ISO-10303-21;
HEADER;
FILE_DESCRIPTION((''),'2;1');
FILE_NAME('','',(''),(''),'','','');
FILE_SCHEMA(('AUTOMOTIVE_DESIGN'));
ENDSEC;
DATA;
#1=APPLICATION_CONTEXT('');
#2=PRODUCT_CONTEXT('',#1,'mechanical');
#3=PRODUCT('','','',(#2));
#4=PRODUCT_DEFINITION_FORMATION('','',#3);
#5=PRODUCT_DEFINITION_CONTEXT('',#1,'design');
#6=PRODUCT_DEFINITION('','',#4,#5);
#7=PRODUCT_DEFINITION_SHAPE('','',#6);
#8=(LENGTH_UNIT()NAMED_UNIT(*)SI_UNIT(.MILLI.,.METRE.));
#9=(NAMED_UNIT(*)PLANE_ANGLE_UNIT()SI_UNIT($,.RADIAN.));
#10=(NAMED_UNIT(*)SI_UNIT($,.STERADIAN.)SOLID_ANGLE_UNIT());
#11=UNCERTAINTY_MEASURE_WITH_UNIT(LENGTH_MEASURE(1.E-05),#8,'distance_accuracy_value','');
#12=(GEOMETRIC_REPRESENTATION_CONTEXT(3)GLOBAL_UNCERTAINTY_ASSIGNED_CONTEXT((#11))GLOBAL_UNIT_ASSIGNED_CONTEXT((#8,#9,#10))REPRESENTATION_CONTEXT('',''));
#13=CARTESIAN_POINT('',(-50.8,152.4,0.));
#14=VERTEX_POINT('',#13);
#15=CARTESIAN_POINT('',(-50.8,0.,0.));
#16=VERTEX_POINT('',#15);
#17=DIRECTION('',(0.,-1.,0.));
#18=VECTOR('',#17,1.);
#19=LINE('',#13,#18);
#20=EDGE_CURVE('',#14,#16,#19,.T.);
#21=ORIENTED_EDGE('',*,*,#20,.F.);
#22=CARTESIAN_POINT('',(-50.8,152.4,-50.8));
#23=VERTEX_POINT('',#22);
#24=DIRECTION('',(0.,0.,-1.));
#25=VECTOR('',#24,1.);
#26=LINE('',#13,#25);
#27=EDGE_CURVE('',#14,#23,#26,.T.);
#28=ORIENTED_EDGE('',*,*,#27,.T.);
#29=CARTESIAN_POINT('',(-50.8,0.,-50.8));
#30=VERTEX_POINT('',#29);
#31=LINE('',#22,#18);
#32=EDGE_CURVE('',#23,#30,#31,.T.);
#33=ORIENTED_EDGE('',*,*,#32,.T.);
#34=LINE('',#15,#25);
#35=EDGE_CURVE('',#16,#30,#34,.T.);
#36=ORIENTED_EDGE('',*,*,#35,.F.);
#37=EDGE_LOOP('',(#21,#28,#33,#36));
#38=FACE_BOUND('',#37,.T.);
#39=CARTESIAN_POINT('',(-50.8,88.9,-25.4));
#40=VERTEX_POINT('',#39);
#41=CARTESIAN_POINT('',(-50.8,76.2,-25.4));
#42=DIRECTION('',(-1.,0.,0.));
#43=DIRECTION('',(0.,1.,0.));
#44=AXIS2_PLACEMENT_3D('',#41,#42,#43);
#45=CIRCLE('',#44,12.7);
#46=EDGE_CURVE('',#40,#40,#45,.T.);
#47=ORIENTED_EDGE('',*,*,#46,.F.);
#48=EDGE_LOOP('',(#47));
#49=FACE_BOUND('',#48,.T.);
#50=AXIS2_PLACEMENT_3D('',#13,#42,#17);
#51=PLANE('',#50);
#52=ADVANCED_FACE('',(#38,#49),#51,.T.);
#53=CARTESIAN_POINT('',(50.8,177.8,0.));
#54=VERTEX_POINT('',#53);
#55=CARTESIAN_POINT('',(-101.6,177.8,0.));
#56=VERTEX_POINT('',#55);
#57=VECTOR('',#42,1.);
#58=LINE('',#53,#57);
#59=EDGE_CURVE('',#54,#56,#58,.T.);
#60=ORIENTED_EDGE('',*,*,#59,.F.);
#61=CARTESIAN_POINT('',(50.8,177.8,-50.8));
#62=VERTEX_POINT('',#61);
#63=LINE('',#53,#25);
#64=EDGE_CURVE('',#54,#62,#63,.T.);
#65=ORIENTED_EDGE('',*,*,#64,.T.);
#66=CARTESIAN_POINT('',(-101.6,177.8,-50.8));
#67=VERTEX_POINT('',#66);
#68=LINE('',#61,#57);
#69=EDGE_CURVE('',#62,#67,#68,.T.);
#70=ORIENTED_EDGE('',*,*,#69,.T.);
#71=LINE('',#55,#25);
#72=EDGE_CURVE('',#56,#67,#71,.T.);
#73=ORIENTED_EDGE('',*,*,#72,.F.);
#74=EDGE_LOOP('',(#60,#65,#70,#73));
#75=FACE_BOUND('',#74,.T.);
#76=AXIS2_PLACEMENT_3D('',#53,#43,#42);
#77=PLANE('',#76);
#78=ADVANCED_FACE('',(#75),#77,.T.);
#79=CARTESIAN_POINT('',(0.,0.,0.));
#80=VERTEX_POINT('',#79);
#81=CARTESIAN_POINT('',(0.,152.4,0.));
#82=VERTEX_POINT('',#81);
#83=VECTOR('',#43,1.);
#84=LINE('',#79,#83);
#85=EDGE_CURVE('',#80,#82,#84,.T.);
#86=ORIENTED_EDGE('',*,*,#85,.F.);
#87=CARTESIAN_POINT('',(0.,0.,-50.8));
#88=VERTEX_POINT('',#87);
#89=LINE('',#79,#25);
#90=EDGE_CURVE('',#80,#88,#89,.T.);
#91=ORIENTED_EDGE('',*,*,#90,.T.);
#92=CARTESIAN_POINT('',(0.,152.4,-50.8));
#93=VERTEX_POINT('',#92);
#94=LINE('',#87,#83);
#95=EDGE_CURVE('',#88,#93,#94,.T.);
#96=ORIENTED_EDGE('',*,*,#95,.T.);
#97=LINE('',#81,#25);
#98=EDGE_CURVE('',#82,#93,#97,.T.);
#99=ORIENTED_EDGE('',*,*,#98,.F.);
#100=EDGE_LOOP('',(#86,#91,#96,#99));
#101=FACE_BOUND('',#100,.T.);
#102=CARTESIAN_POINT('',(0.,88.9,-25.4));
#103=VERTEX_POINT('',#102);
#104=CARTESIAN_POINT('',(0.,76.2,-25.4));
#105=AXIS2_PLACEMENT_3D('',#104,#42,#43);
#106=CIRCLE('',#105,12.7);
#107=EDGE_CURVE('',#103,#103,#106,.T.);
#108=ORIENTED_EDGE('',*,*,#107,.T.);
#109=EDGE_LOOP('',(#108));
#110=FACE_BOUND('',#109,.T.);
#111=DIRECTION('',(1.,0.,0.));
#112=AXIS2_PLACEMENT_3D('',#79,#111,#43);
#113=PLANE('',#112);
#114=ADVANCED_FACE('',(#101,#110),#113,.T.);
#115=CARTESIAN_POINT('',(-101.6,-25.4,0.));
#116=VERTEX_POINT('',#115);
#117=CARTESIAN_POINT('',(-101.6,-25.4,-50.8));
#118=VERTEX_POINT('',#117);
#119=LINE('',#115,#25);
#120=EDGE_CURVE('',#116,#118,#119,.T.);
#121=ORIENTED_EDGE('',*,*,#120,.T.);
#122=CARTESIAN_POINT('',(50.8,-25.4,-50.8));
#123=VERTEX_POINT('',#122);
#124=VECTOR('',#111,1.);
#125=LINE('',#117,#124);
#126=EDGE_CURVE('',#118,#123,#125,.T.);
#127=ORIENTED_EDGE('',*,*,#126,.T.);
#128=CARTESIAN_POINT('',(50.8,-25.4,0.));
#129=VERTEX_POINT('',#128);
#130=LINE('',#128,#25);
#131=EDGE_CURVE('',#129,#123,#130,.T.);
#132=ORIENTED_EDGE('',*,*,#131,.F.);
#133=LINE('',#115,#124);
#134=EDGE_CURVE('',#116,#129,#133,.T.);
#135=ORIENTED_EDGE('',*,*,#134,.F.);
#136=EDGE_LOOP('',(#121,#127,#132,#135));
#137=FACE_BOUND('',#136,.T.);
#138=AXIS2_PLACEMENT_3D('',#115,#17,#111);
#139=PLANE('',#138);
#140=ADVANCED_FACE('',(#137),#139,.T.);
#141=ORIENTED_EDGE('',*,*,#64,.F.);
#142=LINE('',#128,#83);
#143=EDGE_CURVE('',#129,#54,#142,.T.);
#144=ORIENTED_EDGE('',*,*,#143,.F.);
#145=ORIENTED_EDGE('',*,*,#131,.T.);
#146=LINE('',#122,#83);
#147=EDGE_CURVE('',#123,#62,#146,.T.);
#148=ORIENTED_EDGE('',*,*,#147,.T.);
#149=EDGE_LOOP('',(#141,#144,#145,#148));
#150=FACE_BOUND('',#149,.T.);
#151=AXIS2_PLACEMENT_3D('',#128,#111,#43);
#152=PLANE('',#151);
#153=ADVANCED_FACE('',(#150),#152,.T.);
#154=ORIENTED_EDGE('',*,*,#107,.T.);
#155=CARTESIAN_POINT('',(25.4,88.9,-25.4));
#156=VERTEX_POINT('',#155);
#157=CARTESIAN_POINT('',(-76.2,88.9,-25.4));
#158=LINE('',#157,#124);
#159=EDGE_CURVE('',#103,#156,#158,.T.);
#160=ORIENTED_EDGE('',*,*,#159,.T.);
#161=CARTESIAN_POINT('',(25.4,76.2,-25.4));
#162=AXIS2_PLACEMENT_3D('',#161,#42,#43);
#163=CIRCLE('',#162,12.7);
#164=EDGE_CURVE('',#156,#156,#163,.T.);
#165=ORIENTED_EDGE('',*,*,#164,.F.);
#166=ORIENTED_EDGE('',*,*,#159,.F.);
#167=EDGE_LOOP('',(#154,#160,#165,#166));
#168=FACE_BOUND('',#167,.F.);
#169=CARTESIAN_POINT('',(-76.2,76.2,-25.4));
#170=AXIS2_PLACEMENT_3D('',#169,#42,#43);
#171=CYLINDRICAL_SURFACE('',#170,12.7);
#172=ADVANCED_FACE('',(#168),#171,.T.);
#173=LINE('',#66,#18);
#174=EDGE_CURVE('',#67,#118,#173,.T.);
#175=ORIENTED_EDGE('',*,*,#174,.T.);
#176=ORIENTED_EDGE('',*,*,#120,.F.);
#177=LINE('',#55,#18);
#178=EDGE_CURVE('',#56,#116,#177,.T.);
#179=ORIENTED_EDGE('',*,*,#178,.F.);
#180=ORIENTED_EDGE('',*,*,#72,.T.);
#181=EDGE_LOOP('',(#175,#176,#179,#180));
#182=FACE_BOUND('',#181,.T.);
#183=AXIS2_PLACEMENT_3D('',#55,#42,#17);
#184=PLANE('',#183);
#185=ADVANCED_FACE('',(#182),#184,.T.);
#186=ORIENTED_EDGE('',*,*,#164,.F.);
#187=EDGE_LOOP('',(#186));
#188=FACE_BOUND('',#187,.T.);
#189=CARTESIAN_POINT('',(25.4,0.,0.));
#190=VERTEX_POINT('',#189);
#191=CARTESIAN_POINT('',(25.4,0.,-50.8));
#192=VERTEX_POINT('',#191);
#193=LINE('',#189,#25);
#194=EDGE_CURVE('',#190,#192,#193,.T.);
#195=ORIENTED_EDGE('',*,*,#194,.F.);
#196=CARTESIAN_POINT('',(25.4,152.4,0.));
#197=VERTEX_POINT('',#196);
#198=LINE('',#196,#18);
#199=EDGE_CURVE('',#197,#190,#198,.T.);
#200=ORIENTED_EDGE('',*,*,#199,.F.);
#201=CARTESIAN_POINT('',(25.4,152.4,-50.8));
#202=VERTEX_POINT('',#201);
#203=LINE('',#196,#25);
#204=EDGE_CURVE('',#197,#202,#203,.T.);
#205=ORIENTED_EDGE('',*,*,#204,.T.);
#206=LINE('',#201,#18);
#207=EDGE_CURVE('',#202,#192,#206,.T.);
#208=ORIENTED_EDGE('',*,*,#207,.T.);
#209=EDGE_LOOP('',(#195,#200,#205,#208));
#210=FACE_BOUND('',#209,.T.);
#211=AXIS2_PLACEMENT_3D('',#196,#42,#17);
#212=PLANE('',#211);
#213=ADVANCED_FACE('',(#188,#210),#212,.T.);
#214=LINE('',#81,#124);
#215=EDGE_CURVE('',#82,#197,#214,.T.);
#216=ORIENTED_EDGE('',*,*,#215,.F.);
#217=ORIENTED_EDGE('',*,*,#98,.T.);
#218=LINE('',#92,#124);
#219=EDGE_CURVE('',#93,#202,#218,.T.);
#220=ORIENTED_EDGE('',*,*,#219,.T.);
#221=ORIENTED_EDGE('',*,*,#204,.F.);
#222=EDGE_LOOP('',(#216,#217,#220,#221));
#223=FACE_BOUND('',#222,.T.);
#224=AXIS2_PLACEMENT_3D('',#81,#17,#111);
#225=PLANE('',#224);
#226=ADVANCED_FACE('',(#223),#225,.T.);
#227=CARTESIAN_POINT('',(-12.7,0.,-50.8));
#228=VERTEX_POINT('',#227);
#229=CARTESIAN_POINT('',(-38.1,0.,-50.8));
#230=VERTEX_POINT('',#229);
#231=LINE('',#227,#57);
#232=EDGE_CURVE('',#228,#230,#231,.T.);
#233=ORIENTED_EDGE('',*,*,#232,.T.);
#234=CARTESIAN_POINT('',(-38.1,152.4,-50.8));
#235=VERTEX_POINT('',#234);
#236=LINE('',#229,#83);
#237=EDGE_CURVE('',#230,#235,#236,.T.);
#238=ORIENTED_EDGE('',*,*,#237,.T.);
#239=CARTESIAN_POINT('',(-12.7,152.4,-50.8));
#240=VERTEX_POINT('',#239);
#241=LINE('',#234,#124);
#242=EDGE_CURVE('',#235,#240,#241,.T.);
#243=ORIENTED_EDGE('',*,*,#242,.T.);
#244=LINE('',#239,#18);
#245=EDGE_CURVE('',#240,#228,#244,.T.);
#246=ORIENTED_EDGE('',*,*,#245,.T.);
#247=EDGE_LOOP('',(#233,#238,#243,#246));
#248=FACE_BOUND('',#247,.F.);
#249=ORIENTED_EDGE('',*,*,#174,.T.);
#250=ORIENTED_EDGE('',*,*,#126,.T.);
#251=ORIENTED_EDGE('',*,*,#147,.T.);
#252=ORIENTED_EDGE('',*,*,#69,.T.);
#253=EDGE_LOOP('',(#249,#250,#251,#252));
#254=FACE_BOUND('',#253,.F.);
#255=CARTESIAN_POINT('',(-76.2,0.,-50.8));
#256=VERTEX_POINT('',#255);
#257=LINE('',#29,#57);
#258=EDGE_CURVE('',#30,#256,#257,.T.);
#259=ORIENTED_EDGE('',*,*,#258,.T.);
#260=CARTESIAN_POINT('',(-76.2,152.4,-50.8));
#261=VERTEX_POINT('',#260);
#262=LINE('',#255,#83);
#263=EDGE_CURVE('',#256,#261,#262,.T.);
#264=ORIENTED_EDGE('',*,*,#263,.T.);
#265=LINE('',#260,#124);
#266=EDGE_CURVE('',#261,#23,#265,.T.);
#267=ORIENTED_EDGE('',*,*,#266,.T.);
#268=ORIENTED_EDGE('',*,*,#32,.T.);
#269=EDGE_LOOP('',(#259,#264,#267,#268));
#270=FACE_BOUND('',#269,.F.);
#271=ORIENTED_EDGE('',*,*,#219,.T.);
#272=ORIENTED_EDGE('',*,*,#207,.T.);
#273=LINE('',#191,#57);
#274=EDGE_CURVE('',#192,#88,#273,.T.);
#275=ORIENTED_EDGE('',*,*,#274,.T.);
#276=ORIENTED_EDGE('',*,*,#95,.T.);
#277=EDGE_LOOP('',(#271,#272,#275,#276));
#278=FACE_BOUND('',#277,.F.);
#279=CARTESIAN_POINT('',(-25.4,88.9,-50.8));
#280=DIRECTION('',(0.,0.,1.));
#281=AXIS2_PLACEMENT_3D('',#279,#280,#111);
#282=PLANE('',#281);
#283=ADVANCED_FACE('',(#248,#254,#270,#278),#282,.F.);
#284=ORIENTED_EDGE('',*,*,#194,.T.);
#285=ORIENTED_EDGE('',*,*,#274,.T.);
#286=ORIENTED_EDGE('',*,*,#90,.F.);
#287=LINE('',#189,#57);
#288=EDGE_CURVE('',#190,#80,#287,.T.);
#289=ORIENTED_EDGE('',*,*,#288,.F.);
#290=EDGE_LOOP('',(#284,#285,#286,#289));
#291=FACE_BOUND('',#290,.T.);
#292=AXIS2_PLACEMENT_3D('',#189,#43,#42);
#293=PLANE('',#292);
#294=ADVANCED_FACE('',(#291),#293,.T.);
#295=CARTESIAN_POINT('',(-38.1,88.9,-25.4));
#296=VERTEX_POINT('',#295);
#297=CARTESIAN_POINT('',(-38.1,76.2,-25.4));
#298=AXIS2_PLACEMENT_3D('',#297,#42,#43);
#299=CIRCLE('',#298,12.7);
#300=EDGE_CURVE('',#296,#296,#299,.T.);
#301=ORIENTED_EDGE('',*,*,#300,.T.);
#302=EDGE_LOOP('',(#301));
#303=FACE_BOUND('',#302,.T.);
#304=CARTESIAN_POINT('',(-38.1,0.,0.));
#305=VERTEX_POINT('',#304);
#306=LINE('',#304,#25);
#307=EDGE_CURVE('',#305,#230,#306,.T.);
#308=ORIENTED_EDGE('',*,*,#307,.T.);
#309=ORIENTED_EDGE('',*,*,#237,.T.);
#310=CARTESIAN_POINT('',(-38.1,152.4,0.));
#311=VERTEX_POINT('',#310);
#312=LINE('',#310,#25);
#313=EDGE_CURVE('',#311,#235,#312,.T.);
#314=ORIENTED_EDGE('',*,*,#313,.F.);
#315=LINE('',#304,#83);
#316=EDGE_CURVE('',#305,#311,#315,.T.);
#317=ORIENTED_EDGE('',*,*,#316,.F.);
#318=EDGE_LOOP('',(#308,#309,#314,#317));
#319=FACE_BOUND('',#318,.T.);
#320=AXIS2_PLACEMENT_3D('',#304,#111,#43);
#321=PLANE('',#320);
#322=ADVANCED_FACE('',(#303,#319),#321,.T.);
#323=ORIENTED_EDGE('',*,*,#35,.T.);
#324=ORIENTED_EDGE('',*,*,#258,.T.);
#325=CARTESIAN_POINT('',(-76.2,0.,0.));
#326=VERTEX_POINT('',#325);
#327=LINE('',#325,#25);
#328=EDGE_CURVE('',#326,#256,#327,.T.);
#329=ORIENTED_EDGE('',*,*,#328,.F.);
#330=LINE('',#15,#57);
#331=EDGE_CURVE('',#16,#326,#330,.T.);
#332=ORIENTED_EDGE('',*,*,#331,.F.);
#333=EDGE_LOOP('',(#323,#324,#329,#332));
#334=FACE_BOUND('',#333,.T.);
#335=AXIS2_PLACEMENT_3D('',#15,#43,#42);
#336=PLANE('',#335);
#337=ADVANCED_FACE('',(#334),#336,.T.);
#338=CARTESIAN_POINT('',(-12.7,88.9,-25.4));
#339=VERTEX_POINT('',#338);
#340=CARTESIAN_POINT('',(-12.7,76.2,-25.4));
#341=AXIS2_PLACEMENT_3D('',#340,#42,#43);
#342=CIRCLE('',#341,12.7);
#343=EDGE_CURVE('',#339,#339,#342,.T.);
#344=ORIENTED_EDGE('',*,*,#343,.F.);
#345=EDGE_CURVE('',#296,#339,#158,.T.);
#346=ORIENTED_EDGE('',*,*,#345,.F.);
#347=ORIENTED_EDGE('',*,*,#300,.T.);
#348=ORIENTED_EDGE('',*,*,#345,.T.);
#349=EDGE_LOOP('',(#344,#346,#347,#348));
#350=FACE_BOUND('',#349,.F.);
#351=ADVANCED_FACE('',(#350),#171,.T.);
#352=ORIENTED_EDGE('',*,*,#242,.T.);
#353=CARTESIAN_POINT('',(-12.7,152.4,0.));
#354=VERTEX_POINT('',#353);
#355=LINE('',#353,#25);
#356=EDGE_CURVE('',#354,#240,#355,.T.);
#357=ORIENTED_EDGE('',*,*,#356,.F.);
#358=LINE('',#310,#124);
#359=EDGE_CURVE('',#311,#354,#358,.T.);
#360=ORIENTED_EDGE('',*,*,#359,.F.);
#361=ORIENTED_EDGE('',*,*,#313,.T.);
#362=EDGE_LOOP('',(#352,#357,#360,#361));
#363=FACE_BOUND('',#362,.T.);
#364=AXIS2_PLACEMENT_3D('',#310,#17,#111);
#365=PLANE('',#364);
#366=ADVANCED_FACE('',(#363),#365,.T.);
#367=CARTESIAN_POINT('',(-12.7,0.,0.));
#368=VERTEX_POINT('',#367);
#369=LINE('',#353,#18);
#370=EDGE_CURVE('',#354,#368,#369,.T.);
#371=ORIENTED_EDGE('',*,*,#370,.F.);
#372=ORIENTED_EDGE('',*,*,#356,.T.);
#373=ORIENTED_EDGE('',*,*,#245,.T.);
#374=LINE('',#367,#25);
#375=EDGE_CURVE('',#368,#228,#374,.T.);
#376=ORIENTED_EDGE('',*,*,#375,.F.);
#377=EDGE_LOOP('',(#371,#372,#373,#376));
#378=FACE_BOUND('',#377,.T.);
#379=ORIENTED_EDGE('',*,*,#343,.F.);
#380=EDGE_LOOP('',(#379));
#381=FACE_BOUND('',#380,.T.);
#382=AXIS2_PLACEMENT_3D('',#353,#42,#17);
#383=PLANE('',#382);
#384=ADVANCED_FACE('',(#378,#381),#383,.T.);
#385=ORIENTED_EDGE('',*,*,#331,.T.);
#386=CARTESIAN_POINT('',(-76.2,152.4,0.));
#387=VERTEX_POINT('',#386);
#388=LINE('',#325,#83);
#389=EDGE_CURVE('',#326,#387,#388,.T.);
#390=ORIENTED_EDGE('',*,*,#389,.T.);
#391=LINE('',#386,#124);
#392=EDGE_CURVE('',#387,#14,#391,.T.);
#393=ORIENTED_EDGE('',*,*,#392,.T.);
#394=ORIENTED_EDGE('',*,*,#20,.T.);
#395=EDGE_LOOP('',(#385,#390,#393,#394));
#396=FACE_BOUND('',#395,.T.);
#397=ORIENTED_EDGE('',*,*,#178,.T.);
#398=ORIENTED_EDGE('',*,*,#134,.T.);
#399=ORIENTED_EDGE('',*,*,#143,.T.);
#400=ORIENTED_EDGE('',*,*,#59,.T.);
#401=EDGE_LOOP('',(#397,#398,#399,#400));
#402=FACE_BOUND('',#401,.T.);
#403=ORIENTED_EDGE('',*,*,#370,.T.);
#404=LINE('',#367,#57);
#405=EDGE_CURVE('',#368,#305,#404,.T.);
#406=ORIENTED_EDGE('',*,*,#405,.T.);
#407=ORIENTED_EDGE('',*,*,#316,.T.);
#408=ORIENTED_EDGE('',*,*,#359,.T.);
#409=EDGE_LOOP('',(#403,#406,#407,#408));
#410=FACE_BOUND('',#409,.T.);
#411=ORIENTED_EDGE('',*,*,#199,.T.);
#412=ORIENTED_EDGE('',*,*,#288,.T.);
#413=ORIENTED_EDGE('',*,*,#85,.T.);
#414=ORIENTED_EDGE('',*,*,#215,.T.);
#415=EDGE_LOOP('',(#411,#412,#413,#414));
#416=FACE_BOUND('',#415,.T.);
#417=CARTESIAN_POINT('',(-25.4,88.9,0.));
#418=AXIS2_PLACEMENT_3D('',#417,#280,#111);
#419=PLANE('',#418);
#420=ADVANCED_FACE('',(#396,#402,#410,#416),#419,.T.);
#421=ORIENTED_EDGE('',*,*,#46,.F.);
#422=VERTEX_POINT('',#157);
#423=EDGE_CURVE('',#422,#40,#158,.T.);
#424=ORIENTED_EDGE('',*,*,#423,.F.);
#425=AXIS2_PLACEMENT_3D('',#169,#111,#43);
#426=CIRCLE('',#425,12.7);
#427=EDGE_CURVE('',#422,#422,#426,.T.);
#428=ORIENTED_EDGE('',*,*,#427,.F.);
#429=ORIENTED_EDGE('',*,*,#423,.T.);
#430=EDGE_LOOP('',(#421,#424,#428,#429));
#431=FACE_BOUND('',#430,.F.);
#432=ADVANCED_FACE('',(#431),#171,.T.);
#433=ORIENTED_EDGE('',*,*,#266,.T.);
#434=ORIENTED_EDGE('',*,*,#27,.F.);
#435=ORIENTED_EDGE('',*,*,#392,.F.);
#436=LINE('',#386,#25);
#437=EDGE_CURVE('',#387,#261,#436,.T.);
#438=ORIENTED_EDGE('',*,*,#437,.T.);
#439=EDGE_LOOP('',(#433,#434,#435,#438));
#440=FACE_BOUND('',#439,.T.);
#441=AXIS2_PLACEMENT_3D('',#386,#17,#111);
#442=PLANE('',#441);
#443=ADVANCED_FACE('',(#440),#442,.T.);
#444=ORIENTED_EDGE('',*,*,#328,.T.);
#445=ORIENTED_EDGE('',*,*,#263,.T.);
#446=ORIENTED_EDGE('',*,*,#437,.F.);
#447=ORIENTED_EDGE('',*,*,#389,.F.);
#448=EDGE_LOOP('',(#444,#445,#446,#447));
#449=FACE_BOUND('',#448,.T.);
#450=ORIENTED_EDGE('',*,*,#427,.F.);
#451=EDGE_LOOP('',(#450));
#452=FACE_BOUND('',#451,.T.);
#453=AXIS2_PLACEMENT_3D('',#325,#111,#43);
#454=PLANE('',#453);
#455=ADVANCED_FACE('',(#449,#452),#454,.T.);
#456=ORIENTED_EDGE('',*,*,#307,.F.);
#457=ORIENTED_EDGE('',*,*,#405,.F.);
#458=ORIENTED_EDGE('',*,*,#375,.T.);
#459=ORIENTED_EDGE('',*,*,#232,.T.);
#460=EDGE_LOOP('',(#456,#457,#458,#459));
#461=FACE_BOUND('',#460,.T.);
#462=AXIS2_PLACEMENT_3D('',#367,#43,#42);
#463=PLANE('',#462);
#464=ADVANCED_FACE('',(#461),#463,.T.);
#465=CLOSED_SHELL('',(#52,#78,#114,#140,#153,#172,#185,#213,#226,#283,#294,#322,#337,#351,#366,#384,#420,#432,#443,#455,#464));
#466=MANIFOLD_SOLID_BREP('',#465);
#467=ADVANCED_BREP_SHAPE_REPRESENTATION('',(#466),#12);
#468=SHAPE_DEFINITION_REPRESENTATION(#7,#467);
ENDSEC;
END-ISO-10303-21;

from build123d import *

# Parameters (mm, degrees)
F1_DEPTH = 50.8
F2_R     = 12.7
F3_DEPTH = 127


with BuildPart() as f1:
    # F0 (on Top) → F1 (new body)
    with BuildSketch(Plane.XY):
        Polygon((50.8, 177.8), (-101.6, 177.8), (-101.6, 152.4), (-101.6, 0), (-76.2, 0), (-76.2, 152.4), (-50.8, 152.4), (-50.8, 0), (-38.1, 0), (-38.1, 152.4), (-12.7, 152.4), (-12.7, 0), (0, 0), (0, 152.4), (25.4, 152.4), (25.4, 0), (50.8, 0), (50.8, 127), align=None)
        Polygon((-76.2, 0), (-101.6, 0), (-101.6, -25.4), (50.8, -25.4), (50.8, 0), (25.4, 0), (0, 0), (-12.7, 0), (-38.1, 0), (-50.8, 0), align=None)
    extrude(amount=-F1_DEPTH)

    # F2 (on face) → F3 (join)
    with BuildSketch(Plane.YZ.offset(-76.2)):
        with Locations((76.2, -25.4)):
            Circle(F2_R)
    extrude(amount=F3_DEPTH)


solid = f1.part
